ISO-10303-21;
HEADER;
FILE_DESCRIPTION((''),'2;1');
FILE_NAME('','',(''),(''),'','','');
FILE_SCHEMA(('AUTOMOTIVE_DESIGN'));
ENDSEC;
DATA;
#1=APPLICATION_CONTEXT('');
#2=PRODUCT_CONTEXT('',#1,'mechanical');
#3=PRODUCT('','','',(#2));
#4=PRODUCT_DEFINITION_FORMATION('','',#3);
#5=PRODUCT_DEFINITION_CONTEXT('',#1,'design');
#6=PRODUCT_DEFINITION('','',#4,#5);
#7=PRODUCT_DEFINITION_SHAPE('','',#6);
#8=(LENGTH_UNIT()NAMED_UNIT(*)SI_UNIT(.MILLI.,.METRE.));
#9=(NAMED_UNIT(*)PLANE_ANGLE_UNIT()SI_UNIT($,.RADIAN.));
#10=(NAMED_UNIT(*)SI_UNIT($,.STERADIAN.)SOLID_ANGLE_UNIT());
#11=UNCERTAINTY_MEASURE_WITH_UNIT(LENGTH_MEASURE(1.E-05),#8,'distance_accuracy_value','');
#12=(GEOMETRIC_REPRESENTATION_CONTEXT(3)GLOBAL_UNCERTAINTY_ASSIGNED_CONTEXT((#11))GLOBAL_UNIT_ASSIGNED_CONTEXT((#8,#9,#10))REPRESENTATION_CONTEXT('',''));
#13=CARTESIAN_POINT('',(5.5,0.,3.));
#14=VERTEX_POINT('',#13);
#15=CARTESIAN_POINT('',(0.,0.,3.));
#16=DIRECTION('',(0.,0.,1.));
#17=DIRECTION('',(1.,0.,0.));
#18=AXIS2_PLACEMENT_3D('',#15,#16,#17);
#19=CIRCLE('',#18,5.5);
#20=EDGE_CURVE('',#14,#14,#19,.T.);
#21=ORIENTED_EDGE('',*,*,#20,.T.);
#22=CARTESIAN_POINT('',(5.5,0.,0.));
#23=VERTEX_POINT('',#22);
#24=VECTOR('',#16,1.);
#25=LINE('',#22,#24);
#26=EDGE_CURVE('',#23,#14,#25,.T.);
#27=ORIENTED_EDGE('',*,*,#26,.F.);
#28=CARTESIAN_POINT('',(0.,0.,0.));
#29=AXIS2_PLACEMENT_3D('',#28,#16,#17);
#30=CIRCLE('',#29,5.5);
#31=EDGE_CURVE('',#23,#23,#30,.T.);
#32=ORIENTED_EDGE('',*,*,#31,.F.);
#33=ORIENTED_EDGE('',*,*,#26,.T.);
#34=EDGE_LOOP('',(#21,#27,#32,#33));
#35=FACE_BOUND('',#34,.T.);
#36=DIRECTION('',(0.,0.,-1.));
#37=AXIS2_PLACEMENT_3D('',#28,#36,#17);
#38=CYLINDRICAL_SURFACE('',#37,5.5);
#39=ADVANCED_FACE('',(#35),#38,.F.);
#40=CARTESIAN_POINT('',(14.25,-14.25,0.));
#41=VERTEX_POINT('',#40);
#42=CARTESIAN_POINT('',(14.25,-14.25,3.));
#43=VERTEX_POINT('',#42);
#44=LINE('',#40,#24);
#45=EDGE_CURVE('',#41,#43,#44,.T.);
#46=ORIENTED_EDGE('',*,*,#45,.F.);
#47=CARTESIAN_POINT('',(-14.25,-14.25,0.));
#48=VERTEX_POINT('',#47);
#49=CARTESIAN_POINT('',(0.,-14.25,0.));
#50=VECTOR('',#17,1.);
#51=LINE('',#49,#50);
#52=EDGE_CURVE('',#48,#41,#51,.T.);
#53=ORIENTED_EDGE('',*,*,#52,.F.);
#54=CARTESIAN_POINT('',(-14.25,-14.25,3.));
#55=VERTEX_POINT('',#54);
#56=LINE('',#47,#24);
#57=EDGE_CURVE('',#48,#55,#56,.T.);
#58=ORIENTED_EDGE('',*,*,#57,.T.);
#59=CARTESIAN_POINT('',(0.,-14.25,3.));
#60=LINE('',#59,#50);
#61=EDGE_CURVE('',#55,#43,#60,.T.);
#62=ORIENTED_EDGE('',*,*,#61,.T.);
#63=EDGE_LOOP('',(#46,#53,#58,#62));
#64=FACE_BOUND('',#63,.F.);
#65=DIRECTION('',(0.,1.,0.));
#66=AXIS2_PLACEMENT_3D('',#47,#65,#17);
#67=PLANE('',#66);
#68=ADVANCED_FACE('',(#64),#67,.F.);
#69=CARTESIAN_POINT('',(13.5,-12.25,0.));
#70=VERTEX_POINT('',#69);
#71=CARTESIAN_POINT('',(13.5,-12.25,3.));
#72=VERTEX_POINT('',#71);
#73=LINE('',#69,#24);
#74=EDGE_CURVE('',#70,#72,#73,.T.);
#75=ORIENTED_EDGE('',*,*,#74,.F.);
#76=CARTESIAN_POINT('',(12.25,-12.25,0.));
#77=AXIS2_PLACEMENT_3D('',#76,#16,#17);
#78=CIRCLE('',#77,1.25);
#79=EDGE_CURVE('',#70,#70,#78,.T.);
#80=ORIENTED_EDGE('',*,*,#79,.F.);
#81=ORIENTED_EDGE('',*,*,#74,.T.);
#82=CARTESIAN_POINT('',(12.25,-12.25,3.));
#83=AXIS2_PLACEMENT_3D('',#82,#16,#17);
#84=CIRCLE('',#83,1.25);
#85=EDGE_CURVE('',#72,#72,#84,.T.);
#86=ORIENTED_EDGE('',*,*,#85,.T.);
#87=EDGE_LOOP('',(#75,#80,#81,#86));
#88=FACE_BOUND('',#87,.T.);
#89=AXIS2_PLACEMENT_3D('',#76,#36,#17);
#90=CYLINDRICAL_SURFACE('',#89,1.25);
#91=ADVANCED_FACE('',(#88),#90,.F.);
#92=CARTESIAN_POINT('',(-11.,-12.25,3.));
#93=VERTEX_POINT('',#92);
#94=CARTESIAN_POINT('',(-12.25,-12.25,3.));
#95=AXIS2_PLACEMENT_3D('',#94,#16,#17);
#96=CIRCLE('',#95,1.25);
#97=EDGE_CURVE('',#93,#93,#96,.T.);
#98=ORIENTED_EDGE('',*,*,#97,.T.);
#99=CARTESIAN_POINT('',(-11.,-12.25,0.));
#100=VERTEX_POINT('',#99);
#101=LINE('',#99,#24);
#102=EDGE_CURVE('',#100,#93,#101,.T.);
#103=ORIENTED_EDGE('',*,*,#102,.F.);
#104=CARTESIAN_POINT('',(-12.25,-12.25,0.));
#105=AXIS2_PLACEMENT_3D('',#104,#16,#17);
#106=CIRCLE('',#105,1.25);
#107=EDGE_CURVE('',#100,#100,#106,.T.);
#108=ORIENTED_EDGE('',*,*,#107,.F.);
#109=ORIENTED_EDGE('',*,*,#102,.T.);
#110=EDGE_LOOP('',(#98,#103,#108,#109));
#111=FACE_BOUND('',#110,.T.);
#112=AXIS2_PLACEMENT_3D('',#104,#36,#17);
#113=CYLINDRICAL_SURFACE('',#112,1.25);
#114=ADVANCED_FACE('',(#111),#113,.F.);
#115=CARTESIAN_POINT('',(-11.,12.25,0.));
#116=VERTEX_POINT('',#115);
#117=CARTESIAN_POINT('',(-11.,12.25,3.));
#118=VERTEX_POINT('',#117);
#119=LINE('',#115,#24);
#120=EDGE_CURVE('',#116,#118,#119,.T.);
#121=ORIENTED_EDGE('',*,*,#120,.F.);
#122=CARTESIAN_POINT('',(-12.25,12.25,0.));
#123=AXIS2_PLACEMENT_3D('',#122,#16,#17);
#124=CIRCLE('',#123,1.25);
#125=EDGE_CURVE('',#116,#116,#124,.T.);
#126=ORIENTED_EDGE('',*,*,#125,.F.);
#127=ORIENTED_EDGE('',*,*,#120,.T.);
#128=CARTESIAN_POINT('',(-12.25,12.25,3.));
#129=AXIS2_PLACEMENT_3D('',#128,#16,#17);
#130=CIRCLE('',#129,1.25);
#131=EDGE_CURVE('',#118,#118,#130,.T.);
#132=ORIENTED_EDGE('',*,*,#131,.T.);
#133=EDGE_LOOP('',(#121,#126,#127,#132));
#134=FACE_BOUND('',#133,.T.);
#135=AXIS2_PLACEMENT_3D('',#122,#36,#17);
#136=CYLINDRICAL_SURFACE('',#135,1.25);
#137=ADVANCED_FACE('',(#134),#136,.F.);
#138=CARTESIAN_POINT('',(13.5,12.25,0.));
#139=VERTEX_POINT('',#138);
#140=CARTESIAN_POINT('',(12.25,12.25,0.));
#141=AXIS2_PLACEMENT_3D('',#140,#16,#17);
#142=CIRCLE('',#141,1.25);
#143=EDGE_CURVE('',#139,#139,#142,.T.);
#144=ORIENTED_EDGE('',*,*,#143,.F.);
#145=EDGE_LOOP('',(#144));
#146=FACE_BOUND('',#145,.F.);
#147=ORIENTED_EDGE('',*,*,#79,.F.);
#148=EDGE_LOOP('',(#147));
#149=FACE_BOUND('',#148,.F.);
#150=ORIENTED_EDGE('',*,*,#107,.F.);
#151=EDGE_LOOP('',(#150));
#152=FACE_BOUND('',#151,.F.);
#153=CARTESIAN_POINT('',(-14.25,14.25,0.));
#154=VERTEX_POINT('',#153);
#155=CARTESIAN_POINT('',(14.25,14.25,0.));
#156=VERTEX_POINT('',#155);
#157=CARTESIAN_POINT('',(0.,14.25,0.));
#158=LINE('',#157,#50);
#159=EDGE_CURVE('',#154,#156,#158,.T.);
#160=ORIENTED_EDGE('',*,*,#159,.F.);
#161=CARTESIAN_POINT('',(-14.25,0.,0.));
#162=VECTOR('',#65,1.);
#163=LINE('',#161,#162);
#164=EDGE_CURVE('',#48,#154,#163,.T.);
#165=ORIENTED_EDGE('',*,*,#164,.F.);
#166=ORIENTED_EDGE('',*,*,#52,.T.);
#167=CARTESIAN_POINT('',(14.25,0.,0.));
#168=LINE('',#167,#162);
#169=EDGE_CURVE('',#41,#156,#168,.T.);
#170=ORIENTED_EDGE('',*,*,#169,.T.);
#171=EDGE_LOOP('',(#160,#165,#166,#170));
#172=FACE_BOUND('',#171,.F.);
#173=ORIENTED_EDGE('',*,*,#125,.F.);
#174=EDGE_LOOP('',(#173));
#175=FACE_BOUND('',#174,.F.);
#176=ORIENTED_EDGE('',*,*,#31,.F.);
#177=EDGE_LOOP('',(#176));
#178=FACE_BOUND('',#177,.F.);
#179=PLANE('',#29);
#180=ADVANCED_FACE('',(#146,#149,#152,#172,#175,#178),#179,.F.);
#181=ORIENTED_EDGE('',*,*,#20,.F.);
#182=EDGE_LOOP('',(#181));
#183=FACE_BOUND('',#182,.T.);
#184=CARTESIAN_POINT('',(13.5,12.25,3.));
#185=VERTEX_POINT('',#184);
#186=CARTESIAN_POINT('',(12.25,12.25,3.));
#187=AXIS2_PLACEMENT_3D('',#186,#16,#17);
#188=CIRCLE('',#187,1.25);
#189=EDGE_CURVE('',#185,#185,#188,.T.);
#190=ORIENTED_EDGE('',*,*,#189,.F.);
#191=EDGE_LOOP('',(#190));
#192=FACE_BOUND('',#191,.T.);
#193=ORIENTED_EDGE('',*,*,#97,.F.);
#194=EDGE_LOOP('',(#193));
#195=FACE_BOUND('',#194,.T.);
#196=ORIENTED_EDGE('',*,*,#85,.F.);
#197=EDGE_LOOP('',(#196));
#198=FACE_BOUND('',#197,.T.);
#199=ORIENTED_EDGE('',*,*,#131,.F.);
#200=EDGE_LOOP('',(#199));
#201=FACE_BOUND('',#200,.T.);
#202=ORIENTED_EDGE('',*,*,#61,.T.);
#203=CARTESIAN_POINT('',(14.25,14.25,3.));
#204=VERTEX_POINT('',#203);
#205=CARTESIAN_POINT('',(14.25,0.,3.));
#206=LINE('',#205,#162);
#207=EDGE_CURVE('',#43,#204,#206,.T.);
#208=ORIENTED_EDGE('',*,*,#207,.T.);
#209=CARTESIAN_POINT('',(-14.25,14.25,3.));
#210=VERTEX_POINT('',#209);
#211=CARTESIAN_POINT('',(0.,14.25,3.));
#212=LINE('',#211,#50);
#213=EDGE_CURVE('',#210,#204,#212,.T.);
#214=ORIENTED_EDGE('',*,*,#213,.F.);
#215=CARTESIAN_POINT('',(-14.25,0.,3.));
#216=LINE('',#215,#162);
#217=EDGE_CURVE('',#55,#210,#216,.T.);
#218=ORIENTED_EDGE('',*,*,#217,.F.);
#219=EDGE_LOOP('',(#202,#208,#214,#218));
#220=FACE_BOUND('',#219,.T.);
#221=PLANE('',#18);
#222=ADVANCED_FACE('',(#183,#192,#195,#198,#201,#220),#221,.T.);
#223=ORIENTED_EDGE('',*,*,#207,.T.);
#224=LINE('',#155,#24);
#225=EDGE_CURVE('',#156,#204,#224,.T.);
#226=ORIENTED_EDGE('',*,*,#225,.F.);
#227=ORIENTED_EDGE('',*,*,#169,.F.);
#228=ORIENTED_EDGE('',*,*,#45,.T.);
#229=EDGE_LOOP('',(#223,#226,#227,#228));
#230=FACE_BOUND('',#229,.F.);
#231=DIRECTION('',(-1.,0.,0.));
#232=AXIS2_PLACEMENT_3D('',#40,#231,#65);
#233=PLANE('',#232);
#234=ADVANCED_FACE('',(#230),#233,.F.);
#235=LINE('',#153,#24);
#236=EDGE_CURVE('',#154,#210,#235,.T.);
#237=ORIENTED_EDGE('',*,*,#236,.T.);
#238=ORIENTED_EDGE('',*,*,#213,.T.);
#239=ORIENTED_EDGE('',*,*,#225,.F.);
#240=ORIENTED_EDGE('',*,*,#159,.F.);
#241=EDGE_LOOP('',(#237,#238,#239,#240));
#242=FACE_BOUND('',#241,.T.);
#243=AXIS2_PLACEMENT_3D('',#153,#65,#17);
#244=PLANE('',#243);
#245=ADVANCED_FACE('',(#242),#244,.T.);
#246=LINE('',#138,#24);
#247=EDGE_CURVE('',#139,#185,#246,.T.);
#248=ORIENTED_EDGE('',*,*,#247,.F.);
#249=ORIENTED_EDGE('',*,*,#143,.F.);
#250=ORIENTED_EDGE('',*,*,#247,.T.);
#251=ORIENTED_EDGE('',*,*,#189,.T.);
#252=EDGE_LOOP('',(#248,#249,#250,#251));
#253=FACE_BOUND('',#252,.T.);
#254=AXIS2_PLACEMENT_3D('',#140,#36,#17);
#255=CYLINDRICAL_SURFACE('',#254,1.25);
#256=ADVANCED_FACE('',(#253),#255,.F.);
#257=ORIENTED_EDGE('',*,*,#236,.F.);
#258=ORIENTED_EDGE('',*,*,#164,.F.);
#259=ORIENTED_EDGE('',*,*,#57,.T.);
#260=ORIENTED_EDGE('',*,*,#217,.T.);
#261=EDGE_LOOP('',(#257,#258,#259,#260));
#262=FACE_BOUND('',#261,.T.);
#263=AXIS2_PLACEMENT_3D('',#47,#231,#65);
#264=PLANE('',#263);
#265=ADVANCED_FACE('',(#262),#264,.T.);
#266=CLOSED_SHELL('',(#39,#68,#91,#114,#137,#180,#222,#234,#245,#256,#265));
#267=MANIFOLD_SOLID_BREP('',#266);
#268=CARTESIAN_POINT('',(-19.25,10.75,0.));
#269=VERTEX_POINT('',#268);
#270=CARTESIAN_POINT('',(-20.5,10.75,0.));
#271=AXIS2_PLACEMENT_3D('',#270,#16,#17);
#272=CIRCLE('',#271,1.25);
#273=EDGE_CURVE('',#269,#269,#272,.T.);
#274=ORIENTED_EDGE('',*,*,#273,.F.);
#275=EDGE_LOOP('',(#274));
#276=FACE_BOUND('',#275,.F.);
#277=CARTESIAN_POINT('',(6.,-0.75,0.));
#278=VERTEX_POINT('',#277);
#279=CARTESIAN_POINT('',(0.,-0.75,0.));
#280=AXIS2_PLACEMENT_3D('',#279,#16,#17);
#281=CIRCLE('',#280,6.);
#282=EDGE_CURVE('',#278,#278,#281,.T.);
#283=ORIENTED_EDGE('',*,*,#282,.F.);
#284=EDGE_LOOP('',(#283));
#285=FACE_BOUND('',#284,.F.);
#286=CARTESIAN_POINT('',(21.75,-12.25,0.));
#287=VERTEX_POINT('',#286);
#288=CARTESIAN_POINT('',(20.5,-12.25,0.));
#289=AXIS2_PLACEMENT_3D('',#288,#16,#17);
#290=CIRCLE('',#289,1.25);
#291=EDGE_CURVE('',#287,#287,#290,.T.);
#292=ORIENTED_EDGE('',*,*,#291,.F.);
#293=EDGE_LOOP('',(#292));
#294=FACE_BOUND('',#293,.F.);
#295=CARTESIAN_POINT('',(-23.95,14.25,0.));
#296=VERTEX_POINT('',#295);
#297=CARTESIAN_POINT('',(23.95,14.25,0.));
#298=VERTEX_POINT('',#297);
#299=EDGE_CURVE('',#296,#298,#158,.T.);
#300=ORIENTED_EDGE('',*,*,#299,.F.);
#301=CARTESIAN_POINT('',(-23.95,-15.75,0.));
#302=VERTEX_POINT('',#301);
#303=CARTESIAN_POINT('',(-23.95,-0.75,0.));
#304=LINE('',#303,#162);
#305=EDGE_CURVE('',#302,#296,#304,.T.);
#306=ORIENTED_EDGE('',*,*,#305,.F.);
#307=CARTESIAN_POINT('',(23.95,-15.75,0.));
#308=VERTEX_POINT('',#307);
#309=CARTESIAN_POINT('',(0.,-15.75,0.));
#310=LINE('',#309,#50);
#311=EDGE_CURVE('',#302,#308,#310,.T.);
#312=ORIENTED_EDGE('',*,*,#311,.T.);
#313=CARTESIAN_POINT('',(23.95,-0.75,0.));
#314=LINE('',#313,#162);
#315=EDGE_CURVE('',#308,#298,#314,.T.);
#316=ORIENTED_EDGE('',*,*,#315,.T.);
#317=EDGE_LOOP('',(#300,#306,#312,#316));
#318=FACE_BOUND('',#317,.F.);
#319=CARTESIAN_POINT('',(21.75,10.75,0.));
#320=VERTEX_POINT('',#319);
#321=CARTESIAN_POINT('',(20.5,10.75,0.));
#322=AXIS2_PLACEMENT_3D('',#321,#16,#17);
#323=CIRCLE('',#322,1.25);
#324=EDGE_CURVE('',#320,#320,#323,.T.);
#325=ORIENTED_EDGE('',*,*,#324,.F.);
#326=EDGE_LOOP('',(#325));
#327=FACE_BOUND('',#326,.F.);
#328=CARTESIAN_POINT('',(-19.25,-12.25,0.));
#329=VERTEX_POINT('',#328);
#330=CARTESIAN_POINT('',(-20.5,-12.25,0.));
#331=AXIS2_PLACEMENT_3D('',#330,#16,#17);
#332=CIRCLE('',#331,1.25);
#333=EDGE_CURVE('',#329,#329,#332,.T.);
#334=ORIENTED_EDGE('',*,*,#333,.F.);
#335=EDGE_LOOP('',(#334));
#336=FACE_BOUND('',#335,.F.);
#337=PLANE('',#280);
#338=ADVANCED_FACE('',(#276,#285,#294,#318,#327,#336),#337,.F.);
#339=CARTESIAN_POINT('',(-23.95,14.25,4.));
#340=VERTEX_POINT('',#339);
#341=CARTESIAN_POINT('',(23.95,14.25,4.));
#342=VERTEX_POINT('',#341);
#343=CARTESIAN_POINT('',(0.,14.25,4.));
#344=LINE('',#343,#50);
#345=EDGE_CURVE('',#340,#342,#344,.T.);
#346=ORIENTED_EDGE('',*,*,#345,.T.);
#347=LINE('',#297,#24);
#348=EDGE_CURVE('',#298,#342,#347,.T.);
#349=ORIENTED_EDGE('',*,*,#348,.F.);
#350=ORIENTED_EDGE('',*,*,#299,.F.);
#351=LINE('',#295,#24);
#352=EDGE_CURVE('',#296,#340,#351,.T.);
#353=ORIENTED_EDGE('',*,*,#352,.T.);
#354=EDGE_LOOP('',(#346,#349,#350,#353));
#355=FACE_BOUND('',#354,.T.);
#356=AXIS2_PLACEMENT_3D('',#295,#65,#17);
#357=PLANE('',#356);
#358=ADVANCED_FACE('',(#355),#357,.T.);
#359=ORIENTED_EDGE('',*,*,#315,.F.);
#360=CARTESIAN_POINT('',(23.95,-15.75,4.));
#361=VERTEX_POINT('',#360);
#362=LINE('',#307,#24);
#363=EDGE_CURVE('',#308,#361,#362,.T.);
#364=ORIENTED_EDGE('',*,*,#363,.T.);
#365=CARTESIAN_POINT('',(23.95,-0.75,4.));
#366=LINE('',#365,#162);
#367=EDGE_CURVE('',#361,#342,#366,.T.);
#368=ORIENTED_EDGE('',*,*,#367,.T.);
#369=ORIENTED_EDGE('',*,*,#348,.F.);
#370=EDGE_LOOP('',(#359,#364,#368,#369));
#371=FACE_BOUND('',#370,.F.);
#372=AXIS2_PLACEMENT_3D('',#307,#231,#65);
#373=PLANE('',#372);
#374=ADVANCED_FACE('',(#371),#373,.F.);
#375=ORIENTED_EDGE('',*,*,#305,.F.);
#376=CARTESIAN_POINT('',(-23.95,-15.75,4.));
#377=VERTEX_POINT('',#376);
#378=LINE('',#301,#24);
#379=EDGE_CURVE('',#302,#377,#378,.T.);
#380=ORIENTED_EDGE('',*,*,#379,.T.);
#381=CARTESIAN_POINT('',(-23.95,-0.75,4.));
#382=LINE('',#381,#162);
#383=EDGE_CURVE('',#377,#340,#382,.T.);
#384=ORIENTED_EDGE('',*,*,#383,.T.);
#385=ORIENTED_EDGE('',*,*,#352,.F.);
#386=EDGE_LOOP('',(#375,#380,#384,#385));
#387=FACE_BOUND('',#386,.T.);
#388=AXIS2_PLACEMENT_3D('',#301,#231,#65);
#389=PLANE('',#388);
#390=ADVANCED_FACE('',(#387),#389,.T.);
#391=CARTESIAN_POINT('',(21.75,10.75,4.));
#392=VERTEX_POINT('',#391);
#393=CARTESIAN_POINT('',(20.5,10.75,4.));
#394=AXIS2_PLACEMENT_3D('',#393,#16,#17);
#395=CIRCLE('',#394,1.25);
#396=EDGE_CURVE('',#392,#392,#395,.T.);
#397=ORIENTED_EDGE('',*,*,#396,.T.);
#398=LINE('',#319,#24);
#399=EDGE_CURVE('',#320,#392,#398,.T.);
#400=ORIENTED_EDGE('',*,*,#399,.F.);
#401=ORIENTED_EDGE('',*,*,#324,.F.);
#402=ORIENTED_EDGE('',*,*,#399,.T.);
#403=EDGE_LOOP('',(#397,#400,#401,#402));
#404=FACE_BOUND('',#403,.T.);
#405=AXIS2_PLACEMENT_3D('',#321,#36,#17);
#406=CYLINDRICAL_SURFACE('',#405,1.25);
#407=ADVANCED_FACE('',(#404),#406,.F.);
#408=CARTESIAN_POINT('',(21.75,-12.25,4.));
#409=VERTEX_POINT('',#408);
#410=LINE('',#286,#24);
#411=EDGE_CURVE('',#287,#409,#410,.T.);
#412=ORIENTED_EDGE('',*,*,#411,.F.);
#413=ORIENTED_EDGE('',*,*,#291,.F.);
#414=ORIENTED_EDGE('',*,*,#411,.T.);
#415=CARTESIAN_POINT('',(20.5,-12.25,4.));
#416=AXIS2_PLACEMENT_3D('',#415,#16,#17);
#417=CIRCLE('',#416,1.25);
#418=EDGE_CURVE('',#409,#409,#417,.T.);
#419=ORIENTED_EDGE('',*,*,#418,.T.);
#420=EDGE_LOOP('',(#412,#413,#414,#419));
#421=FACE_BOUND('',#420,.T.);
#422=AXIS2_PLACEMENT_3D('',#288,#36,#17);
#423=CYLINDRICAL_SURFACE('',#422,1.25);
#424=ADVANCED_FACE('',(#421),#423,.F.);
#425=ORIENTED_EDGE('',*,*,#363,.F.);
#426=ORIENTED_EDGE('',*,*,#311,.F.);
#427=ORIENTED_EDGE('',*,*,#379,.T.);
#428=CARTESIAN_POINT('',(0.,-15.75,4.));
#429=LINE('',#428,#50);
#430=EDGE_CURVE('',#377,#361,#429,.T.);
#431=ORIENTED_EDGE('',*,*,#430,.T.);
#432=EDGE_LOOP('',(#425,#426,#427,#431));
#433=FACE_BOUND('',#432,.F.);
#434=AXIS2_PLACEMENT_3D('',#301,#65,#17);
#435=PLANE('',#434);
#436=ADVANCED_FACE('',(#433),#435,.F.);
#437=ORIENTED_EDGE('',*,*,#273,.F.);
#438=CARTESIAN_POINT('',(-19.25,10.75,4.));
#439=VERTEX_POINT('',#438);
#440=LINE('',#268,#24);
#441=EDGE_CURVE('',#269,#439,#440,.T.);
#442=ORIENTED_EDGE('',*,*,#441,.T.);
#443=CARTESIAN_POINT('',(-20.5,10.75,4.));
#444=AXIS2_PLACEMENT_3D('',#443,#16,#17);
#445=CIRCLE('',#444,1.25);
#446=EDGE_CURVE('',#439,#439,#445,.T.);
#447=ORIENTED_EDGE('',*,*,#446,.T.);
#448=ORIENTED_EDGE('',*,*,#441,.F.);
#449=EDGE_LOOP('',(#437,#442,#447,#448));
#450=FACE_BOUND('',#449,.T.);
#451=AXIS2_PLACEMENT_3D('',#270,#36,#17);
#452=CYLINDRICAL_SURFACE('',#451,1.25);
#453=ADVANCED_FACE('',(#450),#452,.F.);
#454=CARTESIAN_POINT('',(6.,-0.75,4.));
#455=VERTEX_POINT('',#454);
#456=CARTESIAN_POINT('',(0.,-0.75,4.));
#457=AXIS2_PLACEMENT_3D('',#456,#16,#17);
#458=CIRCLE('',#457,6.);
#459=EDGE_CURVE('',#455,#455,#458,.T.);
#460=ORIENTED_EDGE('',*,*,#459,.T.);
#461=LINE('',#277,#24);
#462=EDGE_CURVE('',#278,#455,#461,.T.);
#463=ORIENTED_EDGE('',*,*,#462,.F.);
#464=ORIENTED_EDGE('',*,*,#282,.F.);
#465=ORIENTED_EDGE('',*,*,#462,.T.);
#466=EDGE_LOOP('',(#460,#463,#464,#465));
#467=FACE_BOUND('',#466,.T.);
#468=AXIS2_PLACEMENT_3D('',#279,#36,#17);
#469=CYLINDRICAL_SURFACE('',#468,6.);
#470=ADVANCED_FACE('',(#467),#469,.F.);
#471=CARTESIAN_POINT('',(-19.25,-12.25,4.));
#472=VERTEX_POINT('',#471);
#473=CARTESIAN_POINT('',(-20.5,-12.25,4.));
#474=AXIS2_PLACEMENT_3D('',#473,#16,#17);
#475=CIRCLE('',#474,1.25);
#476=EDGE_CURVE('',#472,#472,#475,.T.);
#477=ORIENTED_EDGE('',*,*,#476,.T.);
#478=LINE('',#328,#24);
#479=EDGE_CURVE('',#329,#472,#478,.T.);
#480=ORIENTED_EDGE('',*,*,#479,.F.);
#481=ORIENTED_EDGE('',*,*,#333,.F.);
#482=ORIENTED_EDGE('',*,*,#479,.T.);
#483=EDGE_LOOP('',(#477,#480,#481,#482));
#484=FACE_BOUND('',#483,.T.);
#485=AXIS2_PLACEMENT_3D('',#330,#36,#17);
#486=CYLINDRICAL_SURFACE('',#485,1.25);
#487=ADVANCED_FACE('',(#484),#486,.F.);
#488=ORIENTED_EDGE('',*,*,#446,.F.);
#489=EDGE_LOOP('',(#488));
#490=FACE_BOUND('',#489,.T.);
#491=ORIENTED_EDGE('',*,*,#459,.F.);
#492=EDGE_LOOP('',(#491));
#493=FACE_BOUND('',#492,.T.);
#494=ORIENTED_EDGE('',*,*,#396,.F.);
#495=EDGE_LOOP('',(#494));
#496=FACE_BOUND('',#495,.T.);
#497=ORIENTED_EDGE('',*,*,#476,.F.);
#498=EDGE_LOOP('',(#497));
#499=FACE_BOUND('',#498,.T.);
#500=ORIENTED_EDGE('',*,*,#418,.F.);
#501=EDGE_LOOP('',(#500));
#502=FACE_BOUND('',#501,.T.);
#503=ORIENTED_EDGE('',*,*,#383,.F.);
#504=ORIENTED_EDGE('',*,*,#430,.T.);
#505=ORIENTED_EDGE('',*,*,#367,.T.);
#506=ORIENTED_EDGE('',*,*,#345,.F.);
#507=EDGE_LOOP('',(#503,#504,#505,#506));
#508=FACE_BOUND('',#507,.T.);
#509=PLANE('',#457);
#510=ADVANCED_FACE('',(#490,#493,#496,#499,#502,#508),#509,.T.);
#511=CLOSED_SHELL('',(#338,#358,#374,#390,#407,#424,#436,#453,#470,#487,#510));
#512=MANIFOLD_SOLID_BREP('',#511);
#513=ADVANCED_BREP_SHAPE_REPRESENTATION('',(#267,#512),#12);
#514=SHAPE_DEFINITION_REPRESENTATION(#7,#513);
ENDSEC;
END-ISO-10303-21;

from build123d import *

# Parameters (mm, degrees)
F0_W     = 28.5
F0_H     = 28.5
F0_R     = 1.25
F0_R_2   = 5.5
F1_DEPTH = 3
F2_W     = 47.9
F2_H     = 30
F2_R     = 1.25
F2_R_2   = 6
F3_DEPTH = 4


with BuildPart() as f1:
    # F0 (on Top) → F1 (new body)
    with BuildSketch(Plane.XY):
        Rectangle(F0_W, F0_H)
        with Locations((-12.25, -12.25)):
            Circle(F0_R, mode=Mode.SUBTRACT)
        with Locations((12.25, -12.25)):
            Circle(F0_R, mode=Mode.SUBTRACT)
        with Locations((-12.25, 12.25)):
            Circle(F0_R, mode=Mode.SUBTRACT)
        Circle(F0_R_2, mode=Mode.SUBTRACT)
        with Locations((12.25, 12.25)):
            Circle(F0_R, mode=Mode.SUBTRACT)
    extrude(amount=F1_DEPTH)


with BuildPart() as f3:
    # F2 (on Top) → F3 (new body)
    with BuildSketch(Plane.XY):
        with Locations((0, -0.75)):
            Rectangle(F2_W, F2_H)
        with Locations((-20.5, -12.25)):
            Circle(F2_R, mode=Mode.SUBTRACT)
        with Locations((20.5, -12.25)):
            Circle(F2_R, mode=Mode.SUBTRACT)
        with Locations((-20.5, 10.75)):
            Circle(F2_R, mode=Mode.SUBTRACT)
        with Locations((0, -0.75)):
            Circle(F2_R_2, mode=Mode.SUBTRACT)
        with Locations((20.5, 10.75)):
            Circle(F2_R, mode=Mode.SUBTRACT)
    extrude(amount=F3_DEPTH)


solid = Compound([f1.part, f3.part])
